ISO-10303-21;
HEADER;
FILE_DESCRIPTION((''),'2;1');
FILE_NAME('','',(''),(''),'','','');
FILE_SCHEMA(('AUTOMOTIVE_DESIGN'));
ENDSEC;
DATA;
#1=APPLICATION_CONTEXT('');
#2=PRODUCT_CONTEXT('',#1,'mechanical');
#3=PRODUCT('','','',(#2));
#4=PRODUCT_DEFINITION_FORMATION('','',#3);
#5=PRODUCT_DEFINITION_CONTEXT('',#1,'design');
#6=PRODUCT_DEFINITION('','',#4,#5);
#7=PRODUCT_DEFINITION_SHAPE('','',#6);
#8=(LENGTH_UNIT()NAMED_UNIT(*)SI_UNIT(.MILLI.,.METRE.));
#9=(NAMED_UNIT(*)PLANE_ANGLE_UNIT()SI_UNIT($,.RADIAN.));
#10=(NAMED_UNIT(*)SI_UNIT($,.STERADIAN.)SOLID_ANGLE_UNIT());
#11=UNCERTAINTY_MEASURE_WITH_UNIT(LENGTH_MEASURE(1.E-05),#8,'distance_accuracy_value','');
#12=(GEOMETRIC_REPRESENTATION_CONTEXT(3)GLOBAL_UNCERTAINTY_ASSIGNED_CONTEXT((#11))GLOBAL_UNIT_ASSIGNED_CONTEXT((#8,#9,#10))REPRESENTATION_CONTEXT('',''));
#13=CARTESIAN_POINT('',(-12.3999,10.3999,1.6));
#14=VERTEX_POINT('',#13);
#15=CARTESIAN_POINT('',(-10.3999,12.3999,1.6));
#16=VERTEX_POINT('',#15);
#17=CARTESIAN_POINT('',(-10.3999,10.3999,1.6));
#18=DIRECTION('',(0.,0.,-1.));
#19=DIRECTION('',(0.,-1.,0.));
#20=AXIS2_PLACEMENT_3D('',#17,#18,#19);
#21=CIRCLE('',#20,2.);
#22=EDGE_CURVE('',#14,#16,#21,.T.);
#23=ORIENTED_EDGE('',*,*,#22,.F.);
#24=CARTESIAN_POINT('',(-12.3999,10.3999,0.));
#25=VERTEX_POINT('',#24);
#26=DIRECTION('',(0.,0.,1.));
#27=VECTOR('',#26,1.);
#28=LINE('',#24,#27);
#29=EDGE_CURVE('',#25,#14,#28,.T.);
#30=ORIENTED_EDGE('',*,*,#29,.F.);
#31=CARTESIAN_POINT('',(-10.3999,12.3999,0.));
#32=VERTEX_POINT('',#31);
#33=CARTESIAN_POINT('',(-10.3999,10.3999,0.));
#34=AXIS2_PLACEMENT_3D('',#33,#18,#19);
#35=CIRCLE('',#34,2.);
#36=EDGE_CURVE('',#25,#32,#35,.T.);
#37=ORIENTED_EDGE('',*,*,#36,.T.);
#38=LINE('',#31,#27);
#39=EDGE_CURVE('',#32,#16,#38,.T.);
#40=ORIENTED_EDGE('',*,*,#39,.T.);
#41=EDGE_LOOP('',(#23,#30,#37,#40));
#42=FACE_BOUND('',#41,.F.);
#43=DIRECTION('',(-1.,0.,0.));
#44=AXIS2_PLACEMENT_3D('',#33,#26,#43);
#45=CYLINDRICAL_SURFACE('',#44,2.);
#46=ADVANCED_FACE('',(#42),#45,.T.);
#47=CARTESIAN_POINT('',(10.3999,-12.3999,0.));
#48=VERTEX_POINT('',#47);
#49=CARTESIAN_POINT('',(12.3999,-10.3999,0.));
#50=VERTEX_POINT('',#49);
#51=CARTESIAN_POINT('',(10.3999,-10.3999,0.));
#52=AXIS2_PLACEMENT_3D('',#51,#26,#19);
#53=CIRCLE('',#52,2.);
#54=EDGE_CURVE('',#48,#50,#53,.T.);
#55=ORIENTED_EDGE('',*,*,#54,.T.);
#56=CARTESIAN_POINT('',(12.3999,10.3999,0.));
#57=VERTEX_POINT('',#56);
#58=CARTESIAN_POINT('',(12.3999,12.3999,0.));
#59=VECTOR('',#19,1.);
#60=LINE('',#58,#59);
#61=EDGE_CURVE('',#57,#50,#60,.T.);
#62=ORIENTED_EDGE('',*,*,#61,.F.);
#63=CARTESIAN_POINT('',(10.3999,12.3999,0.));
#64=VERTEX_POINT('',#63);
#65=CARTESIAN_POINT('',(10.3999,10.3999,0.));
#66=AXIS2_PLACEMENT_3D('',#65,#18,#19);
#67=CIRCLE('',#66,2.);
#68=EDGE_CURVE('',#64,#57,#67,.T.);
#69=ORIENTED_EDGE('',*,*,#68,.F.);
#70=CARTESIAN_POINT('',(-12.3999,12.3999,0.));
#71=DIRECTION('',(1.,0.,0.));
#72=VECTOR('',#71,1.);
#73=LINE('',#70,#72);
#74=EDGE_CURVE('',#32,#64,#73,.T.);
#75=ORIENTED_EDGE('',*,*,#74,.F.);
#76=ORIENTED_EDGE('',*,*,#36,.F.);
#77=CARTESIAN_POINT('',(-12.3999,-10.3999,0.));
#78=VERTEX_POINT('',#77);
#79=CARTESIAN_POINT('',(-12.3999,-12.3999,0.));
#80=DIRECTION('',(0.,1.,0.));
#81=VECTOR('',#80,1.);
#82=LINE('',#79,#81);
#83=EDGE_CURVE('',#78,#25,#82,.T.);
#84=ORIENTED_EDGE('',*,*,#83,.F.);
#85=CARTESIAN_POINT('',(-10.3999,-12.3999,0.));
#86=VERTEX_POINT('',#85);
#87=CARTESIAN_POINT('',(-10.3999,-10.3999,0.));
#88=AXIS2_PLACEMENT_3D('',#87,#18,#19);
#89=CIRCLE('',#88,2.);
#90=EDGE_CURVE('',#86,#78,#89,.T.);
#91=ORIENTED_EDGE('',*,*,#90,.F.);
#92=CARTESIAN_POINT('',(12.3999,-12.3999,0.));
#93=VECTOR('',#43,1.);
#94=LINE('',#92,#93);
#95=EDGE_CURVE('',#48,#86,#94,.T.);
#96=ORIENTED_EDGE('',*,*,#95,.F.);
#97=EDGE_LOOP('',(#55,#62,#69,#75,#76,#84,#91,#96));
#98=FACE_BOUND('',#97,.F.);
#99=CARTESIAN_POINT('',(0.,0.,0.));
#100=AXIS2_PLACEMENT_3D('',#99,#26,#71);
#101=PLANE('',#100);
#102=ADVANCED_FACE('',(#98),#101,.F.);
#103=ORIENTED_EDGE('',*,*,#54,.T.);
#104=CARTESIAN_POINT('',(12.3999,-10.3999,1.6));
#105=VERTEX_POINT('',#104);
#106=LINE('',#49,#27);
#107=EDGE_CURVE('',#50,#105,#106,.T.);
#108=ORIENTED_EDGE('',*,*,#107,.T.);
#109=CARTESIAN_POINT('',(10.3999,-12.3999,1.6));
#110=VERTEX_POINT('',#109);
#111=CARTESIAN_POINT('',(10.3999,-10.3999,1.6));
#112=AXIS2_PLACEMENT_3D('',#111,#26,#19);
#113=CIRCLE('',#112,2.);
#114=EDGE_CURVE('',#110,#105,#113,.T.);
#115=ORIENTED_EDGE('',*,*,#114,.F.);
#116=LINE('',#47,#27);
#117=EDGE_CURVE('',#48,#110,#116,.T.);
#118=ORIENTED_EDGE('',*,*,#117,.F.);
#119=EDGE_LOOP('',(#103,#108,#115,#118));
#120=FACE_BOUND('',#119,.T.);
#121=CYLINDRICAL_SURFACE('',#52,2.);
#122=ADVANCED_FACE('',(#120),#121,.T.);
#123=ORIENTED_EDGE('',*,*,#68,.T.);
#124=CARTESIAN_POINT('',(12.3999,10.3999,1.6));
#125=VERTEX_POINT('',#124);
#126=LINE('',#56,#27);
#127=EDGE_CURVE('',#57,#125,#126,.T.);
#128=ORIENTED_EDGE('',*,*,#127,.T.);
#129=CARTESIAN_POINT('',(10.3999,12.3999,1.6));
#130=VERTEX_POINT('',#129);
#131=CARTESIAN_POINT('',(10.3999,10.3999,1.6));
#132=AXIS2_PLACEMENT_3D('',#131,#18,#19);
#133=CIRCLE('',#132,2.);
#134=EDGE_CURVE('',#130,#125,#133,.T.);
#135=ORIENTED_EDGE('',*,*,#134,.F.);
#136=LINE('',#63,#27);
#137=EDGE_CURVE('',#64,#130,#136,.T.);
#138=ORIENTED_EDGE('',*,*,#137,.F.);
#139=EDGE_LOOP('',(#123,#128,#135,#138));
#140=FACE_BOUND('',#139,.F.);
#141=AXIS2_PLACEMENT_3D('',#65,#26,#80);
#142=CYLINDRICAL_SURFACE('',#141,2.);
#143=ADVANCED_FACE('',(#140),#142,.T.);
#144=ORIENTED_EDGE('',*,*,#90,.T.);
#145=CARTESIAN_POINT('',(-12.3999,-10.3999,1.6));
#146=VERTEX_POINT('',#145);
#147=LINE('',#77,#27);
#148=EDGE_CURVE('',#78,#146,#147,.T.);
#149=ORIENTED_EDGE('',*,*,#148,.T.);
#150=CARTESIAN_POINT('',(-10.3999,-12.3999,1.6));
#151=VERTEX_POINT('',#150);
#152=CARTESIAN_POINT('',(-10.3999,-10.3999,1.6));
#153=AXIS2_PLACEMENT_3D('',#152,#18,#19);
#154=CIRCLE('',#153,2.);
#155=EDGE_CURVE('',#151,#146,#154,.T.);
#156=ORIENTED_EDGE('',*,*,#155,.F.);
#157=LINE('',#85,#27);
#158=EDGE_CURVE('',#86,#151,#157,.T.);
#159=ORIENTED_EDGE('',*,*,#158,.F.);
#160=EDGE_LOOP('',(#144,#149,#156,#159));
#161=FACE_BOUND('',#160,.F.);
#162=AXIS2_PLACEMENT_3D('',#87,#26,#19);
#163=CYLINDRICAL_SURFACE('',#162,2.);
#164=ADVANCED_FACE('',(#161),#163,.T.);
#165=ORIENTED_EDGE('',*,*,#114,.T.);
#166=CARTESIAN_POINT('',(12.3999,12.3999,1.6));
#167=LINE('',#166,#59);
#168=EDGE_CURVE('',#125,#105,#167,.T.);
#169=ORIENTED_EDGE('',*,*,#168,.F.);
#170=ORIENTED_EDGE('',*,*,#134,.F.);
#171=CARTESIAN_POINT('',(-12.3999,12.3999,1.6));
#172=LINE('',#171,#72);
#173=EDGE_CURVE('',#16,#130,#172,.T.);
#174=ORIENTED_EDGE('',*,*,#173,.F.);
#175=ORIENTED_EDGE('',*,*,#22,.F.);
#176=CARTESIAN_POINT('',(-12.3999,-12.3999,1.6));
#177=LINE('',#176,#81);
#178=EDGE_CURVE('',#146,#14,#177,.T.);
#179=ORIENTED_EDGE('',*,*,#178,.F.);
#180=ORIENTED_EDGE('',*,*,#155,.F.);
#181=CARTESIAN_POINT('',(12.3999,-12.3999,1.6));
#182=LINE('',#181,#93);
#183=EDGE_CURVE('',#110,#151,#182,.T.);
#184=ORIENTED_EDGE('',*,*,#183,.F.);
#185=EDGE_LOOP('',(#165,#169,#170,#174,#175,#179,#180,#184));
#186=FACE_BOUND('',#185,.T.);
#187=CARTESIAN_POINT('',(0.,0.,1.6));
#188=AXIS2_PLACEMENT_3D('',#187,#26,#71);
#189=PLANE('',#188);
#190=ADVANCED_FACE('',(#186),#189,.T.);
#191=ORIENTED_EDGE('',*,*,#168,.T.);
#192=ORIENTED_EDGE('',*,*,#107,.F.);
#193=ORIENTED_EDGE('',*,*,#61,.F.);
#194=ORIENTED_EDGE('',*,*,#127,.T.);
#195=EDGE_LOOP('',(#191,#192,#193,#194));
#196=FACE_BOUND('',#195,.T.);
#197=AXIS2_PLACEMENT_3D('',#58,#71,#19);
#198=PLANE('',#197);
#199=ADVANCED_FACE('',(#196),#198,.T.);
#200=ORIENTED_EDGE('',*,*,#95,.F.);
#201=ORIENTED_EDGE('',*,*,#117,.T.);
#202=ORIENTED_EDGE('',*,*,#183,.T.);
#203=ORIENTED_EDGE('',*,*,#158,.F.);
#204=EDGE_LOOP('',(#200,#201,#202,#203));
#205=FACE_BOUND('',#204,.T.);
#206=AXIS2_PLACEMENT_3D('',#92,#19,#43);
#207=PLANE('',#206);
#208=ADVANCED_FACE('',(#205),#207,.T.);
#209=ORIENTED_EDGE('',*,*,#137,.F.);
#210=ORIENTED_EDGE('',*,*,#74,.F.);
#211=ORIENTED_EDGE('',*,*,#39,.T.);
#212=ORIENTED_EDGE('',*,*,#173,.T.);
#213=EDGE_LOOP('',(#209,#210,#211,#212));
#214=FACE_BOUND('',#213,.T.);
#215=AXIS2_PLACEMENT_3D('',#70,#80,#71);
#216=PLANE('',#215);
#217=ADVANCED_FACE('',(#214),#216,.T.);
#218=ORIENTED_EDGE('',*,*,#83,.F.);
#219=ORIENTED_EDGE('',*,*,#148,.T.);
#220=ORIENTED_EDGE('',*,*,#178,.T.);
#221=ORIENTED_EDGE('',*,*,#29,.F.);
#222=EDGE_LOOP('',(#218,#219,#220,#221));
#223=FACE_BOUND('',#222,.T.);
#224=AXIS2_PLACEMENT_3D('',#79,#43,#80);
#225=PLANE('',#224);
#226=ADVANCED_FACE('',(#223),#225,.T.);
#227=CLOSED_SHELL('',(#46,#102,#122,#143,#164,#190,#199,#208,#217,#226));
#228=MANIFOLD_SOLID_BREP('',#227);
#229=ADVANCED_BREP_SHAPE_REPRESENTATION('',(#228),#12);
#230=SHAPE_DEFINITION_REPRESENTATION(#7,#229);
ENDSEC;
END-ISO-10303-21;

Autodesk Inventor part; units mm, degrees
ref_plane "YZ Plane" through (0, 0, 0) normal (1, 0, 0) x (0, 1, 0)
ref_plane "XZ Plane" through (0, 0, 0) normal (0, 1, 0) x (-1, 0, 0)
ref_plane "XY Plane" through (0, 0, 0) normal (0, 0, 1) x (1, 0, 0)
sketch "Sketch3" plane through (0, 0, 0) normal (0, 0, 1) x (1, 0, 0)
  line L0 (12.3999, -12.3999) -> (-12.3999, -12.3999)
  line L1 (-12.3999, -12.3999) -> (-12.3999, 12.3999)
  line L2 (-12.3999, 12.3999) -> (12.3999, 12.3999)
  line L3 (12.3999, 12.3999) -> (12.3999, -12.3999)
  line L4 (12.3999, -12.3999) -> (-12.3999, 12.3999) construction
  line L5 (-12.3999, -12.3999) -> (12.3999, 12.3999) construction
  point P0 (0, 0)
extrude "Extrusion2" add sketch "Sketch3" along normal blind 1.6
fillet "Fillet2" radius 2 4 edges at (12.3999, 12.3999, 0.8) (-12.3999, 12.3999, 0.8) (12.3999, -12.3999, 0.8) (-12.3999, -12.3999, 0.8)
properties part number "pcb_placeholder"
